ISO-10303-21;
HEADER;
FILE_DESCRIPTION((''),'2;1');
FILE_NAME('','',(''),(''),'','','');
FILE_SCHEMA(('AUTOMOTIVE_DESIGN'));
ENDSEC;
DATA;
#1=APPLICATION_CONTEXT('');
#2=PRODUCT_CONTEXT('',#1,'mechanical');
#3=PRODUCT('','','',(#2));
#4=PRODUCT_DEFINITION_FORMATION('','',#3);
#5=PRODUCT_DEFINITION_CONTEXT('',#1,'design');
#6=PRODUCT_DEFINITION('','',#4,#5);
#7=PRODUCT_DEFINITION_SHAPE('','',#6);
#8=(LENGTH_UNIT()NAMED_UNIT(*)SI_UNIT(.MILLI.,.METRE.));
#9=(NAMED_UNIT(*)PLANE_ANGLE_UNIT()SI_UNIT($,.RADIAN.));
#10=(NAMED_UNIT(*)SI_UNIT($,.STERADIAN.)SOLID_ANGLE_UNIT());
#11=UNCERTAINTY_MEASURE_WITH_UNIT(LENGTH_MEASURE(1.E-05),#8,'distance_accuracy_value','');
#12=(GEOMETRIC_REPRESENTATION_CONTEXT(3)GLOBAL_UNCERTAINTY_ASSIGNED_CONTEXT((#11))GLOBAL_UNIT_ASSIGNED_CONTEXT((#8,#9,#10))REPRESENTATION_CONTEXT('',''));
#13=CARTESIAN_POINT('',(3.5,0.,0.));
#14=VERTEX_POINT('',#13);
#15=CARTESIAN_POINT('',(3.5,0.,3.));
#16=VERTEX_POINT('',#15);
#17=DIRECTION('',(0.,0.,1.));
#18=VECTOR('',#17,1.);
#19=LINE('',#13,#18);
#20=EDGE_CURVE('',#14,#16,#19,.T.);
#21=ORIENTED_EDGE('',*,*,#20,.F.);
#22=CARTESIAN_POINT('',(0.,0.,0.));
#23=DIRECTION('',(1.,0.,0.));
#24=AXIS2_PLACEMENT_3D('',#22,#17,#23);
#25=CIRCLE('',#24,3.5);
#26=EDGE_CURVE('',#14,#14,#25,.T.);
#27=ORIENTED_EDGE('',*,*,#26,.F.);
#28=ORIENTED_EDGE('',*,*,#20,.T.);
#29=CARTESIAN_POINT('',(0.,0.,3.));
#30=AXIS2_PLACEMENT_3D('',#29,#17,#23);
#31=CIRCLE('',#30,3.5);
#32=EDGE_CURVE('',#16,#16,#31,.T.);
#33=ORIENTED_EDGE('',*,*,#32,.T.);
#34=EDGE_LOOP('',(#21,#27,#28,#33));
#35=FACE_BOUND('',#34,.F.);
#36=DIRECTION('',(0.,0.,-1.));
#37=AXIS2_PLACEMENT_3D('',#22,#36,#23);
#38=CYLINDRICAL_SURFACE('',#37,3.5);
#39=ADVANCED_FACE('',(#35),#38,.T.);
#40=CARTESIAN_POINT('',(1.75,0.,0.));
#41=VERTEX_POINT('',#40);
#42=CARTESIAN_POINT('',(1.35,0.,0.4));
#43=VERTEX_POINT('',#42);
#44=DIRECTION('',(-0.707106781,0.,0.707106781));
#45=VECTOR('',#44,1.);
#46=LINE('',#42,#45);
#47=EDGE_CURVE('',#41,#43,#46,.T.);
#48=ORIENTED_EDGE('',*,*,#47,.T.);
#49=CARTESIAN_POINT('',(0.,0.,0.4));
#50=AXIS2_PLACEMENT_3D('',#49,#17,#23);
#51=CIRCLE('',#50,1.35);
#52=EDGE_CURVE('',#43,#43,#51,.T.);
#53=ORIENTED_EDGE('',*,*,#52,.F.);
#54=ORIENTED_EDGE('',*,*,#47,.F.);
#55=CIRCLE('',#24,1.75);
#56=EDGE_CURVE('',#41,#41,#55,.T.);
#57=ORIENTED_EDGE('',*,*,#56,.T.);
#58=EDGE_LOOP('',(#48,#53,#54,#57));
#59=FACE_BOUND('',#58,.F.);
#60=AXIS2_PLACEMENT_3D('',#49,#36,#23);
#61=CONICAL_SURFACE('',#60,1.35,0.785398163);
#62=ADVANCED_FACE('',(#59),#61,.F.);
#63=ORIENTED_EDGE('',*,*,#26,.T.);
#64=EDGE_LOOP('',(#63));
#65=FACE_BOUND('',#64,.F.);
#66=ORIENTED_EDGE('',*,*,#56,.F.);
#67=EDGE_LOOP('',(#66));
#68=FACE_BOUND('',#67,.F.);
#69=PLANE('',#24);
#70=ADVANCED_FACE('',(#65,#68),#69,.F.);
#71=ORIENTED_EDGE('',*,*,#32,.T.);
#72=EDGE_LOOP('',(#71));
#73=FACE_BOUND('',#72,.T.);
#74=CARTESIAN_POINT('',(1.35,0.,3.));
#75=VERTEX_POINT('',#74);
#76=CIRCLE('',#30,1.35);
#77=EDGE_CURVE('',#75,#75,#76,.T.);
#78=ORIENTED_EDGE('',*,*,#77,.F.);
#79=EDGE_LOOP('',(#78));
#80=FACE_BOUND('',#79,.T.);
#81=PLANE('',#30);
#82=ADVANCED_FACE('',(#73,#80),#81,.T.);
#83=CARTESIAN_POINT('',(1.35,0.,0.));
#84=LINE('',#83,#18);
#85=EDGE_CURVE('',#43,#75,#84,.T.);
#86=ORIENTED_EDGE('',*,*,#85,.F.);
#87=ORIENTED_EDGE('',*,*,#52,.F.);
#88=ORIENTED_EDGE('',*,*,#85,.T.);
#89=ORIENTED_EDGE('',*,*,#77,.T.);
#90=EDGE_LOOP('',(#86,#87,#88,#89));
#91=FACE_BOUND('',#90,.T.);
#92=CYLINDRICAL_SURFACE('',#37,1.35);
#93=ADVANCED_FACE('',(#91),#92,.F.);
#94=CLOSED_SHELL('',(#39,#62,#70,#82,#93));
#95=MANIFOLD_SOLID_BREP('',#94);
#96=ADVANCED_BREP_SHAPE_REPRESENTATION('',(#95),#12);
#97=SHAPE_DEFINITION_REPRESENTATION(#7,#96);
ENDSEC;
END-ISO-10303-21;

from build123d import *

# Parameters (mm, degrees)
CYLINDER001_R     = 1.35
CYLINDER001_DEPTH = 3
CYLINDER_R        = 3.5
CYLINDER_DEPTH    = 3
CHAMFER_SIZE      = 0.4


with BuildPart() as cylinder001:
    # Cylinder001 → Cylinder001 (new body)
    with BuildSketch(Plane.XY):
        Circle(CYLINDER001_R)
    extrude(amount=CYLINDER001_DEPTH)


with BuildPart() as chamfer_body:
    # Cylinder → Cylinder (new body)
    with BuildSketch(Plane.XY):
        Circle(CYLINDER_R)
    extrude(amount=CYLINDER_DEPTH)

    # Cut: cut Cylinder001
    add(cylinder001.part, mode=Mode.SUBTRACT)

    # Chamfer
    chamfer_edges = [chamfer_body.edges().sort_by_distance(p)[0] for p in [
        (-1.35, 0, 0),
    ]]
    chamfer(chamfer_edges, length=CHAMFER_SIZE)


solid = chamfer_body.part
